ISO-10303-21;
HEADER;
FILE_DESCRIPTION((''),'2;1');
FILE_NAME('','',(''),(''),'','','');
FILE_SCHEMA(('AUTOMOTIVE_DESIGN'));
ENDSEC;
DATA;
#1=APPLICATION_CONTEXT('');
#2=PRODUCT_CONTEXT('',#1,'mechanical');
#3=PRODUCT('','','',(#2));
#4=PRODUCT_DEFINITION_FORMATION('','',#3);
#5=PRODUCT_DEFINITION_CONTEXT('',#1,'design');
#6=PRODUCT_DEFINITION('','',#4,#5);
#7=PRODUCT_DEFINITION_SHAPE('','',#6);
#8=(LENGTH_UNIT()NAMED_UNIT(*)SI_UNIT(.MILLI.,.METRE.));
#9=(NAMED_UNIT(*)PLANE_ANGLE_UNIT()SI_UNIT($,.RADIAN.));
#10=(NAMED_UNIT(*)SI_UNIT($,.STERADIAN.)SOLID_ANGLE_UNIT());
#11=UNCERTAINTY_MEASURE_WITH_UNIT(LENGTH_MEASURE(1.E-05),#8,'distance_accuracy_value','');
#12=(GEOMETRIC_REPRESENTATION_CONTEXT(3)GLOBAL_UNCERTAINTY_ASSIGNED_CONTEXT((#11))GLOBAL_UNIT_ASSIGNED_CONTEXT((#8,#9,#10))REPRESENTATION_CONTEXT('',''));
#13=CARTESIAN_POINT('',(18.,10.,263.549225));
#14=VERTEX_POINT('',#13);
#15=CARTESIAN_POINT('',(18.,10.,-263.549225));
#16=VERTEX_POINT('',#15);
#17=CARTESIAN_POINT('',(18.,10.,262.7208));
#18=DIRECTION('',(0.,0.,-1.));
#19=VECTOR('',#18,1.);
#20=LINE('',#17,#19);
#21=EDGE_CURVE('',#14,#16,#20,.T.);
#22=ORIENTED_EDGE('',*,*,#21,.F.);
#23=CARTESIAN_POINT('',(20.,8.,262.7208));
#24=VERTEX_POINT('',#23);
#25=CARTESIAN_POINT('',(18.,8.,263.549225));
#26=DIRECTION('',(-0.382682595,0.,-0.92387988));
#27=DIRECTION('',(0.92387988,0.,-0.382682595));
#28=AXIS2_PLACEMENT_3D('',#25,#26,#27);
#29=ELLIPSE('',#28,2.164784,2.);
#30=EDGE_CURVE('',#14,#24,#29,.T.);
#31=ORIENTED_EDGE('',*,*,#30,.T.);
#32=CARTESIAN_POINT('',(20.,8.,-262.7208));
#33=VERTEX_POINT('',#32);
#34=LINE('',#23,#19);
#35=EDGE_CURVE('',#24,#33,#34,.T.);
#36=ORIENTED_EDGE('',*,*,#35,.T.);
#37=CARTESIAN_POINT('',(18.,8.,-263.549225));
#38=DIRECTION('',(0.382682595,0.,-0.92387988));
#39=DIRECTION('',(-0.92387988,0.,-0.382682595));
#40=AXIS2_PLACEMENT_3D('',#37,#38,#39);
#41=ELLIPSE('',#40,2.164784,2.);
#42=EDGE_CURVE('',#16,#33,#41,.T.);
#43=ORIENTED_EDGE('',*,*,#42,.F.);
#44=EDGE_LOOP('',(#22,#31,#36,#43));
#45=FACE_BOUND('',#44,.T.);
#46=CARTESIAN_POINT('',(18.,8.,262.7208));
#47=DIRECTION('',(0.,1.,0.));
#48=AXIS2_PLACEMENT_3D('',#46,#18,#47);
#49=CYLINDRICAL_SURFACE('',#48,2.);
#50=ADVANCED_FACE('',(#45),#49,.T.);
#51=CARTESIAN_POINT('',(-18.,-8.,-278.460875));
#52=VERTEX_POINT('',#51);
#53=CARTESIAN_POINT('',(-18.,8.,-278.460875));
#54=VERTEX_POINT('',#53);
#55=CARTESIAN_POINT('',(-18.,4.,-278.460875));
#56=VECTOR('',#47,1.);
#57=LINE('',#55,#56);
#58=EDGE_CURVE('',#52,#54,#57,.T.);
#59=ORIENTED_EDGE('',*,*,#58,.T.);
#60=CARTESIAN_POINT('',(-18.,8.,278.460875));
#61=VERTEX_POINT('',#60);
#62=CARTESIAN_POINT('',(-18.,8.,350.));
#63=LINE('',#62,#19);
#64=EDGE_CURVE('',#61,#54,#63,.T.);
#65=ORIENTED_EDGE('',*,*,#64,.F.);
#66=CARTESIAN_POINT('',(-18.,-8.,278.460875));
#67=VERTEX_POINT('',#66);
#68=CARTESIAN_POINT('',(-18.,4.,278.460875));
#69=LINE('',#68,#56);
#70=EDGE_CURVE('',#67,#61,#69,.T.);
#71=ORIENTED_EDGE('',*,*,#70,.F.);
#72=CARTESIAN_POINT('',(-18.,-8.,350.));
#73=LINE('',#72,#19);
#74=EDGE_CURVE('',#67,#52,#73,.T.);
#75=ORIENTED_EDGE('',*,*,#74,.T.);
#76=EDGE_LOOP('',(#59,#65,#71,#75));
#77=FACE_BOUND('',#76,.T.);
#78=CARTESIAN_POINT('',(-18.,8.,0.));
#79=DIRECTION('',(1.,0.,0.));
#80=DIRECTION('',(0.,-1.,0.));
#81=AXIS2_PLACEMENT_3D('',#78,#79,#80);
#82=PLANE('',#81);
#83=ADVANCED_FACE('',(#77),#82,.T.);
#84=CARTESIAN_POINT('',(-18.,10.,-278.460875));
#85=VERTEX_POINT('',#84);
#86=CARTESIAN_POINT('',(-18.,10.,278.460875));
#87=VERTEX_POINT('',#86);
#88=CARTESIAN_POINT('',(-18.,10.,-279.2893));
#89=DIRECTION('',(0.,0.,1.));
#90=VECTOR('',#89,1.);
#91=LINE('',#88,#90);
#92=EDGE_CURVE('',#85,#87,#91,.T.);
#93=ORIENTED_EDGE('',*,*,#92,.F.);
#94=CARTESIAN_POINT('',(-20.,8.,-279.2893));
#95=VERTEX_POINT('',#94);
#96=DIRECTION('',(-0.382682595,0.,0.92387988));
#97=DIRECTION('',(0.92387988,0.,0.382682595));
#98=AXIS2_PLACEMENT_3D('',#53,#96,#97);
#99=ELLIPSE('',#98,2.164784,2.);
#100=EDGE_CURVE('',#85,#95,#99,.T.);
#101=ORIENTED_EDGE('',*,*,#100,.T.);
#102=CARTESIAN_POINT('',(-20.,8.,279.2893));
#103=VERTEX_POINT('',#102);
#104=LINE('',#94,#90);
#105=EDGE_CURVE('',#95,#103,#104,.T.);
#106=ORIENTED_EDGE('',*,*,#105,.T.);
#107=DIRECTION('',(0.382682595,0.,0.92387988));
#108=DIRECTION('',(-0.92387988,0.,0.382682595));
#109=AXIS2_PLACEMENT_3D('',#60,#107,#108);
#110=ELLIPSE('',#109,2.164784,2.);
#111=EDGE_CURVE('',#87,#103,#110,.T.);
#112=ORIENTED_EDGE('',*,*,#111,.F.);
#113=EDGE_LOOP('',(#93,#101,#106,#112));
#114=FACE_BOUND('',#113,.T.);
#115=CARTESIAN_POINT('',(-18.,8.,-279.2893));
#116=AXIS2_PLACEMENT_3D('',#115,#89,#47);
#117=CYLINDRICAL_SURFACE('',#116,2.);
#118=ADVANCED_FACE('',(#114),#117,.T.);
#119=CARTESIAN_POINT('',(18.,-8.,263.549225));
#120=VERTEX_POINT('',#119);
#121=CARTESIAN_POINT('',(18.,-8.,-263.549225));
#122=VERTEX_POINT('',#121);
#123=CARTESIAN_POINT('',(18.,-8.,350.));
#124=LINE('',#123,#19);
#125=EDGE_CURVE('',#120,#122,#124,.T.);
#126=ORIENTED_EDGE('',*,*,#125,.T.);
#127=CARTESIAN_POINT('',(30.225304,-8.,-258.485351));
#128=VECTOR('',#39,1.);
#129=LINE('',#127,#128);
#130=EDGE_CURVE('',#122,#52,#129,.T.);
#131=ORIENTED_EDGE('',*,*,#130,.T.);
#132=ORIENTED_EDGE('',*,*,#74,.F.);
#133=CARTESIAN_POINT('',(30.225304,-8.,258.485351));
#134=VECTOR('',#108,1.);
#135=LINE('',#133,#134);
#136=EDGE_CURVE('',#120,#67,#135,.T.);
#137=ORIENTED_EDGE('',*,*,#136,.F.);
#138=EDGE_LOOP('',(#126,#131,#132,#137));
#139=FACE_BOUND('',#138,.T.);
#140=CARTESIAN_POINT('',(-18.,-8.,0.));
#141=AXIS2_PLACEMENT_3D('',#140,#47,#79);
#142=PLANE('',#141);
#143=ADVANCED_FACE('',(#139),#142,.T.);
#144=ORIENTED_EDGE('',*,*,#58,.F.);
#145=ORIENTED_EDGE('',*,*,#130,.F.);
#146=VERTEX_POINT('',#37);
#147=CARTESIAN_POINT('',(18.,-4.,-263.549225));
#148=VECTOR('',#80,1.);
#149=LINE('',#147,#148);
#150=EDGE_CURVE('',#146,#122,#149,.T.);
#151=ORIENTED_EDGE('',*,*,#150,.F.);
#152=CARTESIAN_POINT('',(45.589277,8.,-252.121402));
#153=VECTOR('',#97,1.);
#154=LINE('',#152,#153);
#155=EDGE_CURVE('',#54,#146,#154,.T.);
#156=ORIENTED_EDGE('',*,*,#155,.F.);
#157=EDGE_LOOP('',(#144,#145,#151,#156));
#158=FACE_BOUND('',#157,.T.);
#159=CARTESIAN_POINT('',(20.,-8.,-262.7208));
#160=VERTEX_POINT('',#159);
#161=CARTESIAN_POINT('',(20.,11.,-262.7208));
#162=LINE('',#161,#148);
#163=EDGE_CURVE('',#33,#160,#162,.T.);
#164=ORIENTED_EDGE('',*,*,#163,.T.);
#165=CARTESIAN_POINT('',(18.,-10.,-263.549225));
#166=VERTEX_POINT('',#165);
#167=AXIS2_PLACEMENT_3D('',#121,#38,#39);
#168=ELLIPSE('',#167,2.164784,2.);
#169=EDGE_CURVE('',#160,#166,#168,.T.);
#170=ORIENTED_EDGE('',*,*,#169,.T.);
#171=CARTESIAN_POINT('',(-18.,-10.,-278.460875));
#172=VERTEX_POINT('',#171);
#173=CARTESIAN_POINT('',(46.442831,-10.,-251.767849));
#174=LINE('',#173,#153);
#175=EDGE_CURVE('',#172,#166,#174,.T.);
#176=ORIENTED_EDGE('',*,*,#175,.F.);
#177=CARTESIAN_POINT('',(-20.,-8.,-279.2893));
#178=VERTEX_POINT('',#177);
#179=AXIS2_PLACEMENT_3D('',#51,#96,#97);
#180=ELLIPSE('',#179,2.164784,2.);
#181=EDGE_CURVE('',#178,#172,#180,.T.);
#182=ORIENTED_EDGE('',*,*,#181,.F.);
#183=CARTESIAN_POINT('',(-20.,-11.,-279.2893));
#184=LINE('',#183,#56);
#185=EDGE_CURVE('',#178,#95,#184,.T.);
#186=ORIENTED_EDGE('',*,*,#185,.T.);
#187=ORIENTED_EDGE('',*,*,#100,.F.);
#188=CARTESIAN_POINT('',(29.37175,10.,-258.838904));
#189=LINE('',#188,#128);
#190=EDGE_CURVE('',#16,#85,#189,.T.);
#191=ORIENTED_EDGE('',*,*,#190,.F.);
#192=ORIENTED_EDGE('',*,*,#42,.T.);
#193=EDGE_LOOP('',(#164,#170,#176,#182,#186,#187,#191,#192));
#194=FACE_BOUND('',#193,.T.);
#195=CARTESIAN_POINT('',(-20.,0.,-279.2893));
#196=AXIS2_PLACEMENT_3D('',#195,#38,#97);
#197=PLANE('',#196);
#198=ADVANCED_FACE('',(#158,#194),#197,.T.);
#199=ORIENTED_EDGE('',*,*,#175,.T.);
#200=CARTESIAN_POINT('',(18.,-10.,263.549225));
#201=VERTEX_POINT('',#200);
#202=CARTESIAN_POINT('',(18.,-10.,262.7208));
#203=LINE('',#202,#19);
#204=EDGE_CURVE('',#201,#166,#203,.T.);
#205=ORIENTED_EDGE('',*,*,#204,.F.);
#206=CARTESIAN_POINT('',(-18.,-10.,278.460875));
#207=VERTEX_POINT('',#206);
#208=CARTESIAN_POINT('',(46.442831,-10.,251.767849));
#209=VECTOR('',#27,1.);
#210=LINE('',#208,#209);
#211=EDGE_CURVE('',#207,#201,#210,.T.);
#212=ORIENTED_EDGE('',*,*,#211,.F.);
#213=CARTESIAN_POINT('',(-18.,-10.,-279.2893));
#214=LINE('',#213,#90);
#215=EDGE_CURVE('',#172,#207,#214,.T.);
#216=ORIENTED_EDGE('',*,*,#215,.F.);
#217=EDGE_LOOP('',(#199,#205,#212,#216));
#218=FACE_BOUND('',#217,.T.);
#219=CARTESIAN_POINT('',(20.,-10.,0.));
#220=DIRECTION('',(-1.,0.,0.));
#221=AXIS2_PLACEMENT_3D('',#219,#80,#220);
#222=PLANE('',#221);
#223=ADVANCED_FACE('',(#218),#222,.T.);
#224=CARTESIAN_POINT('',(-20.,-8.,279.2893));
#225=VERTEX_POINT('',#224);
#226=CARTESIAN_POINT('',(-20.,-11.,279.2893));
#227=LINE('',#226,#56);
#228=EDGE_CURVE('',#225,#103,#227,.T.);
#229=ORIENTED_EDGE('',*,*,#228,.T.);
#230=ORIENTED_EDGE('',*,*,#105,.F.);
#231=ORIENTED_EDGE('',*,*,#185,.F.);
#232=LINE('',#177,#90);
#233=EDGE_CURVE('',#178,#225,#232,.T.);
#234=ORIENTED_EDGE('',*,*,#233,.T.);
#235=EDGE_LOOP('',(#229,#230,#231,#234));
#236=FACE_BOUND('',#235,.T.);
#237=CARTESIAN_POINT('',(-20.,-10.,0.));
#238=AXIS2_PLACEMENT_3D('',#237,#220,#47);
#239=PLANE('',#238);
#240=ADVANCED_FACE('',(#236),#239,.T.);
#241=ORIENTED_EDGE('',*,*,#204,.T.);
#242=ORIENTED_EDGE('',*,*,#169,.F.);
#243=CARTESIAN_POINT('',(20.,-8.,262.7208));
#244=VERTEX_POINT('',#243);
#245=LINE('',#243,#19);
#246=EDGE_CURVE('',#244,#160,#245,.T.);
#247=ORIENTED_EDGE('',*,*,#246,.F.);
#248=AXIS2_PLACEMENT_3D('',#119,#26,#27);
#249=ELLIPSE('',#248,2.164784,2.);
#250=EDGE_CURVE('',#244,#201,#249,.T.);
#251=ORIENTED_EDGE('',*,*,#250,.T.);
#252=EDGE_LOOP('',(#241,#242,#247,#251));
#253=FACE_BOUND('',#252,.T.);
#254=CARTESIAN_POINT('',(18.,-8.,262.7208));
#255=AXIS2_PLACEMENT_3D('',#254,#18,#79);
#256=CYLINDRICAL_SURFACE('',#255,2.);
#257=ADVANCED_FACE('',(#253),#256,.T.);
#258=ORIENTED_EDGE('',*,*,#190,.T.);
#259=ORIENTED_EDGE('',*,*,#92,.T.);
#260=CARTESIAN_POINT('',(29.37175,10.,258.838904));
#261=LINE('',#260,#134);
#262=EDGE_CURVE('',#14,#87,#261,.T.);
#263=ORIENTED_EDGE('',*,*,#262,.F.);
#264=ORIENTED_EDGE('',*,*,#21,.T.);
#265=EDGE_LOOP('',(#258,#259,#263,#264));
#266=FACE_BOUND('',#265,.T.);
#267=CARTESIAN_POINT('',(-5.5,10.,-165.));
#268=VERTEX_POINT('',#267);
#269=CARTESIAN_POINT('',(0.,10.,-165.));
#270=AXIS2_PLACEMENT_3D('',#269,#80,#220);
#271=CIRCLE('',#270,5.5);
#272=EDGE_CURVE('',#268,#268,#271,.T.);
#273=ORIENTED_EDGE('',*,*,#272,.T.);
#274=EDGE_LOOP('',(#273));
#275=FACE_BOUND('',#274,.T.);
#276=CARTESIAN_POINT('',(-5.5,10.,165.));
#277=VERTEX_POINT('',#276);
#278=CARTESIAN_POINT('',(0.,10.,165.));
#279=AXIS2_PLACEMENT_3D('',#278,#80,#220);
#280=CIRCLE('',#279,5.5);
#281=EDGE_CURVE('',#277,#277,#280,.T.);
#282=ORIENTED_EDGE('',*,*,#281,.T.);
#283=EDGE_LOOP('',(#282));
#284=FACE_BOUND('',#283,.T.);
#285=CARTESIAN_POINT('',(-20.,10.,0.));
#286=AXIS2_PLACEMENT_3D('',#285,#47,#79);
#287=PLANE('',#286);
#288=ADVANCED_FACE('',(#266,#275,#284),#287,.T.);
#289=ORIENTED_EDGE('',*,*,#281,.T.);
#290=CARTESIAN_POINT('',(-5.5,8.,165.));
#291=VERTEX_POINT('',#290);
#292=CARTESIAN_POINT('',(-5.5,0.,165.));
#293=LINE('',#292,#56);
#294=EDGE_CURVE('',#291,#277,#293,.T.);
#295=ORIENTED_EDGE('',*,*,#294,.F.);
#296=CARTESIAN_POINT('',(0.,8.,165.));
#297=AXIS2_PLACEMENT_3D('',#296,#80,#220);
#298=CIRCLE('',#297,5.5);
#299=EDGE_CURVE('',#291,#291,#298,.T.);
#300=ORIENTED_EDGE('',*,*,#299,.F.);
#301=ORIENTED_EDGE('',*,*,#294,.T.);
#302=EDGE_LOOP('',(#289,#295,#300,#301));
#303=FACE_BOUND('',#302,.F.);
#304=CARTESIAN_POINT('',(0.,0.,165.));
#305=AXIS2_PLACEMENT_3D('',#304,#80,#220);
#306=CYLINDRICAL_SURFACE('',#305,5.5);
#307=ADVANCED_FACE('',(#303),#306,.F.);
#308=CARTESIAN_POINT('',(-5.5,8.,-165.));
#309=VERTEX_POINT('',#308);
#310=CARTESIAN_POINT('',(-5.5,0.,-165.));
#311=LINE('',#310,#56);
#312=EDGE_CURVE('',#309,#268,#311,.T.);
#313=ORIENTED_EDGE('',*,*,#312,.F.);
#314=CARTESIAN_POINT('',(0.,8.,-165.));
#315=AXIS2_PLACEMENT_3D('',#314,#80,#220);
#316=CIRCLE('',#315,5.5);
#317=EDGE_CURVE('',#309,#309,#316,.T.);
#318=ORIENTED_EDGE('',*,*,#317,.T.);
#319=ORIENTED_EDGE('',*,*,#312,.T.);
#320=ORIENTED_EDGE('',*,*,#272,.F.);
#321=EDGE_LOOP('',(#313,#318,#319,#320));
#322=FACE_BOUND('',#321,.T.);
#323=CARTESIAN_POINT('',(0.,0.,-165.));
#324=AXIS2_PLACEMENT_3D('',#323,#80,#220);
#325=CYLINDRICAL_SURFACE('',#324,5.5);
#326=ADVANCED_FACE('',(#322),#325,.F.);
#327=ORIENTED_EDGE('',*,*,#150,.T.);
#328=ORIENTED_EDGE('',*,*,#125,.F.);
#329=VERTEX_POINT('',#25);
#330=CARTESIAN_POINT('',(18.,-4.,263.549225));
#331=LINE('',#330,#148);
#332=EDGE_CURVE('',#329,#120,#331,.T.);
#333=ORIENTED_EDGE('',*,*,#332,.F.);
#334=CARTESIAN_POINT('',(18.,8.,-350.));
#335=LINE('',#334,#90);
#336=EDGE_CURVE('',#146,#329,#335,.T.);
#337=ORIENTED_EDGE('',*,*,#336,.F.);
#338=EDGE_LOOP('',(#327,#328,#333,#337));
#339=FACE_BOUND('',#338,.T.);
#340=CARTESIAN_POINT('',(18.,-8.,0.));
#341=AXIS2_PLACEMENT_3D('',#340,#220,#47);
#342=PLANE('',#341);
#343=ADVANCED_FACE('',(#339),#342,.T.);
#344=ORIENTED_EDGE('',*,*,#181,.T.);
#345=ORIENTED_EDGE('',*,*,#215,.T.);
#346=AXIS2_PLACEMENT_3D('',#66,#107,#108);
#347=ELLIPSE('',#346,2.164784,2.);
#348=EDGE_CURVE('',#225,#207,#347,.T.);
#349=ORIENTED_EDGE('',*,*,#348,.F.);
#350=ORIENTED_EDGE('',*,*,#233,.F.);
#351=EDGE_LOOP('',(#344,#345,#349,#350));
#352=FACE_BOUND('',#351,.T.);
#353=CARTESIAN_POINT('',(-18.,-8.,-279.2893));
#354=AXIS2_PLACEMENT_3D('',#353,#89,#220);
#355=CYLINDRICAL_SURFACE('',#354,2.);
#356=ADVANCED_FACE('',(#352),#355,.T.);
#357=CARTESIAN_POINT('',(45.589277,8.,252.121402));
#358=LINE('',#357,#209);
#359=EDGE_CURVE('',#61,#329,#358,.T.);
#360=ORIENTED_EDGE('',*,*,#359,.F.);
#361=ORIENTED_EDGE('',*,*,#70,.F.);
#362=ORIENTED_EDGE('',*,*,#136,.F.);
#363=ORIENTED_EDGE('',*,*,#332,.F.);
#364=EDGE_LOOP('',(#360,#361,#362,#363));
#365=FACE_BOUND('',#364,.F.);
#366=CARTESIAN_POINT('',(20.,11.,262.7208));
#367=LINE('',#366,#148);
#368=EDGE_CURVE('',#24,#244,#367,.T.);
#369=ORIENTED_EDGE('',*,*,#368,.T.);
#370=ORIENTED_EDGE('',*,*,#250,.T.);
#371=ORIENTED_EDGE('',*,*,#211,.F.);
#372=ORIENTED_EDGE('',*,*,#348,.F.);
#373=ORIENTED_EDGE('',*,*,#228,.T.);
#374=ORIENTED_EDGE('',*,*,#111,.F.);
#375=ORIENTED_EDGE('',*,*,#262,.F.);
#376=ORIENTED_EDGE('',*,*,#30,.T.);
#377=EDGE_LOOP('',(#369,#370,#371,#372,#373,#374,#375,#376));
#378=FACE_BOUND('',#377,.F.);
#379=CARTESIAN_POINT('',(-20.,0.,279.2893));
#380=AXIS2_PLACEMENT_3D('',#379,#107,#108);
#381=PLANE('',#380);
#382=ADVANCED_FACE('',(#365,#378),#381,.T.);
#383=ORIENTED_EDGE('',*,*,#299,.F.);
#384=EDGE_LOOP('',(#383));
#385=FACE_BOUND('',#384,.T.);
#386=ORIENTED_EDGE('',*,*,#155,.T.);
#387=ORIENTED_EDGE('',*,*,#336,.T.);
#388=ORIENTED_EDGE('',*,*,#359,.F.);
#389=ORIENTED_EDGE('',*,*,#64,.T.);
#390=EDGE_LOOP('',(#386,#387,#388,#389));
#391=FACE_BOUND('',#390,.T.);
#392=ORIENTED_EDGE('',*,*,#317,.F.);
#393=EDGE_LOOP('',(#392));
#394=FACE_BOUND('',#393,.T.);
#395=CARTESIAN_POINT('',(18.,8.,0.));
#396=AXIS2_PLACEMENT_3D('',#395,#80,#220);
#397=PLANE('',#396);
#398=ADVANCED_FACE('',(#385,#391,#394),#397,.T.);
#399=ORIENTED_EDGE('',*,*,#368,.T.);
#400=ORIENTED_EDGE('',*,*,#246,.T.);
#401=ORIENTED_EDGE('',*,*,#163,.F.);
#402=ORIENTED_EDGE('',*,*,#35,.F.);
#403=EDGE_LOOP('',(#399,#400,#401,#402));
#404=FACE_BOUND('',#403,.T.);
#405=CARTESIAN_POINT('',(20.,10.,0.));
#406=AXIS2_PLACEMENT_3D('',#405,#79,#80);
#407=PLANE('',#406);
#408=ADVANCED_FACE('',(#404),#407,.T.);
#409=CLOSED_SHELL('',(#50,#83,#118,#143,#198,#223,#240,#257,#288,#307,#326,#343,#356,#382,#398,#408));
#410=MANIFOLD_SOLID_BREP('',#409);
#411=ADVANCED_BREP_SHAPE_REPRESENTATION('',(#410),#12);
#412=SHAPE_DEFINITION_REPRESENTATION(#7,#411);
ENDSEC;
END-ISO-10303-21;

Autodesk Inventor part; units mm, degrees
ref_plane "YZ Plane" through (0, 0, 0) normal (1, 0, 0) x (0, 1, 0)
ref_plane "XZ Plane" through (0, 0, 0) normal (0, 1, 0) x (-1, 0, 0)
ref_plane "XY Plane" through (0, 0, 0) normal (0, 0, 1) x (1, 0, 0)
sketch "Sketch1" plane through (0, 0, 0) normal (0, 0, 1) x (1, 0, 0)
  line L0 (-20, 10) -> (20, 10)
  line L1 (20, 10) -> (20, -10)
  line L2 (20, -10) -> (-20, -10)
  line L3 (-20, -10) -> (-20, 10)
  line L4 (-20, 10) -> (20, -10) construction
  line L5 (20, 10) -> (-20, -10) construction
  line L6 (18, 8) -> (-18, 8)
  line L7 (-18, 8) -> (-18, -8)
  line L8 (-18, -8) -> (18, -8)
  line L9 (18, -8) -> (18, 8)
  point P0 (0, 0)
  dimension "d0" = 40
  dimension "d1" = 20
  dimension "d2" = 2
extrude "Extrusion1" add sketch "Sketch1" along normal mid plane 700
sketch "Sketch2" plane through (0, 0, 0) normal (0, 1, 0) x (-1, 0, 0)
  line L0 (20, -350) -> (20, 350) projected
  line L1 (-20, 350) -> (20, 350)
  line L2 (-20, -350) -> (-20, 350) projected
  line L3 (20, -350) -> (-20, -350) projected
  line L4 (-20, -350) -> (-50.7107, -350)
  line L5 (-50.7107, -350) -> (-50.7107, 350)
  line L6 (-50.7107, 350) -> (-20, 350)
  line L7 (20, -279.2893) -> (-50.7107, -350)
  line L8 (20, -279.2893) -> (-20, -262.7208)
  line L9 (-20, -350) -> (-20, 350) projected
  point P0 (0, 0)
  point P1 (-20, -319.2893)
  dimension "d5" = 45
  dimension "d6" = 100
  dimension "d19" = 67.5
extrude "Extrusion2" cut sketch "Sketch2" along normal through all both and the other way through all contours L3 L2 L7 L0 | L7 L2 L8
mirror "Mirror1" about plane through (0, 0, 0) normal (0, 0, 1) of "Extrusion2"
sketch "Sketch3" plane through (0, 0, 0) normal (0, 1, 0) x (-1, 0, 0)
  line L0 (0, 0) -> (0, -271.0051) construction
  line L1 (-20, -262.7208) -> (-20, 262.7208) construction
  line L2 (20, 279.2893) -> (20, -279.2893) construction
  circle A0 centre (0, -165) radius 5.5
  line L3 (20, 279.2893) -> (20, -279.2893) construction
  line L4 (-20, -262.7208) -> (20, -279.2893) construction
  dimension "d10" = 11
  dimension "d20" = 165
extrude "Extrusion3" cut sketch "Sketch3" along normal through all
mirror "Mirror2" about plane through (0, 0, 0) normal (0, 0, 1) of "Extrusion3"
fillet "Fillet1" radius 2 4 edges at (-20, 10, 0) (-20, -10, 0) (20, -10, 0) (20, 10, 0)
equation "\"d19\" = 1.5 * d5"
properties part number "Long tube 1_CPY"
